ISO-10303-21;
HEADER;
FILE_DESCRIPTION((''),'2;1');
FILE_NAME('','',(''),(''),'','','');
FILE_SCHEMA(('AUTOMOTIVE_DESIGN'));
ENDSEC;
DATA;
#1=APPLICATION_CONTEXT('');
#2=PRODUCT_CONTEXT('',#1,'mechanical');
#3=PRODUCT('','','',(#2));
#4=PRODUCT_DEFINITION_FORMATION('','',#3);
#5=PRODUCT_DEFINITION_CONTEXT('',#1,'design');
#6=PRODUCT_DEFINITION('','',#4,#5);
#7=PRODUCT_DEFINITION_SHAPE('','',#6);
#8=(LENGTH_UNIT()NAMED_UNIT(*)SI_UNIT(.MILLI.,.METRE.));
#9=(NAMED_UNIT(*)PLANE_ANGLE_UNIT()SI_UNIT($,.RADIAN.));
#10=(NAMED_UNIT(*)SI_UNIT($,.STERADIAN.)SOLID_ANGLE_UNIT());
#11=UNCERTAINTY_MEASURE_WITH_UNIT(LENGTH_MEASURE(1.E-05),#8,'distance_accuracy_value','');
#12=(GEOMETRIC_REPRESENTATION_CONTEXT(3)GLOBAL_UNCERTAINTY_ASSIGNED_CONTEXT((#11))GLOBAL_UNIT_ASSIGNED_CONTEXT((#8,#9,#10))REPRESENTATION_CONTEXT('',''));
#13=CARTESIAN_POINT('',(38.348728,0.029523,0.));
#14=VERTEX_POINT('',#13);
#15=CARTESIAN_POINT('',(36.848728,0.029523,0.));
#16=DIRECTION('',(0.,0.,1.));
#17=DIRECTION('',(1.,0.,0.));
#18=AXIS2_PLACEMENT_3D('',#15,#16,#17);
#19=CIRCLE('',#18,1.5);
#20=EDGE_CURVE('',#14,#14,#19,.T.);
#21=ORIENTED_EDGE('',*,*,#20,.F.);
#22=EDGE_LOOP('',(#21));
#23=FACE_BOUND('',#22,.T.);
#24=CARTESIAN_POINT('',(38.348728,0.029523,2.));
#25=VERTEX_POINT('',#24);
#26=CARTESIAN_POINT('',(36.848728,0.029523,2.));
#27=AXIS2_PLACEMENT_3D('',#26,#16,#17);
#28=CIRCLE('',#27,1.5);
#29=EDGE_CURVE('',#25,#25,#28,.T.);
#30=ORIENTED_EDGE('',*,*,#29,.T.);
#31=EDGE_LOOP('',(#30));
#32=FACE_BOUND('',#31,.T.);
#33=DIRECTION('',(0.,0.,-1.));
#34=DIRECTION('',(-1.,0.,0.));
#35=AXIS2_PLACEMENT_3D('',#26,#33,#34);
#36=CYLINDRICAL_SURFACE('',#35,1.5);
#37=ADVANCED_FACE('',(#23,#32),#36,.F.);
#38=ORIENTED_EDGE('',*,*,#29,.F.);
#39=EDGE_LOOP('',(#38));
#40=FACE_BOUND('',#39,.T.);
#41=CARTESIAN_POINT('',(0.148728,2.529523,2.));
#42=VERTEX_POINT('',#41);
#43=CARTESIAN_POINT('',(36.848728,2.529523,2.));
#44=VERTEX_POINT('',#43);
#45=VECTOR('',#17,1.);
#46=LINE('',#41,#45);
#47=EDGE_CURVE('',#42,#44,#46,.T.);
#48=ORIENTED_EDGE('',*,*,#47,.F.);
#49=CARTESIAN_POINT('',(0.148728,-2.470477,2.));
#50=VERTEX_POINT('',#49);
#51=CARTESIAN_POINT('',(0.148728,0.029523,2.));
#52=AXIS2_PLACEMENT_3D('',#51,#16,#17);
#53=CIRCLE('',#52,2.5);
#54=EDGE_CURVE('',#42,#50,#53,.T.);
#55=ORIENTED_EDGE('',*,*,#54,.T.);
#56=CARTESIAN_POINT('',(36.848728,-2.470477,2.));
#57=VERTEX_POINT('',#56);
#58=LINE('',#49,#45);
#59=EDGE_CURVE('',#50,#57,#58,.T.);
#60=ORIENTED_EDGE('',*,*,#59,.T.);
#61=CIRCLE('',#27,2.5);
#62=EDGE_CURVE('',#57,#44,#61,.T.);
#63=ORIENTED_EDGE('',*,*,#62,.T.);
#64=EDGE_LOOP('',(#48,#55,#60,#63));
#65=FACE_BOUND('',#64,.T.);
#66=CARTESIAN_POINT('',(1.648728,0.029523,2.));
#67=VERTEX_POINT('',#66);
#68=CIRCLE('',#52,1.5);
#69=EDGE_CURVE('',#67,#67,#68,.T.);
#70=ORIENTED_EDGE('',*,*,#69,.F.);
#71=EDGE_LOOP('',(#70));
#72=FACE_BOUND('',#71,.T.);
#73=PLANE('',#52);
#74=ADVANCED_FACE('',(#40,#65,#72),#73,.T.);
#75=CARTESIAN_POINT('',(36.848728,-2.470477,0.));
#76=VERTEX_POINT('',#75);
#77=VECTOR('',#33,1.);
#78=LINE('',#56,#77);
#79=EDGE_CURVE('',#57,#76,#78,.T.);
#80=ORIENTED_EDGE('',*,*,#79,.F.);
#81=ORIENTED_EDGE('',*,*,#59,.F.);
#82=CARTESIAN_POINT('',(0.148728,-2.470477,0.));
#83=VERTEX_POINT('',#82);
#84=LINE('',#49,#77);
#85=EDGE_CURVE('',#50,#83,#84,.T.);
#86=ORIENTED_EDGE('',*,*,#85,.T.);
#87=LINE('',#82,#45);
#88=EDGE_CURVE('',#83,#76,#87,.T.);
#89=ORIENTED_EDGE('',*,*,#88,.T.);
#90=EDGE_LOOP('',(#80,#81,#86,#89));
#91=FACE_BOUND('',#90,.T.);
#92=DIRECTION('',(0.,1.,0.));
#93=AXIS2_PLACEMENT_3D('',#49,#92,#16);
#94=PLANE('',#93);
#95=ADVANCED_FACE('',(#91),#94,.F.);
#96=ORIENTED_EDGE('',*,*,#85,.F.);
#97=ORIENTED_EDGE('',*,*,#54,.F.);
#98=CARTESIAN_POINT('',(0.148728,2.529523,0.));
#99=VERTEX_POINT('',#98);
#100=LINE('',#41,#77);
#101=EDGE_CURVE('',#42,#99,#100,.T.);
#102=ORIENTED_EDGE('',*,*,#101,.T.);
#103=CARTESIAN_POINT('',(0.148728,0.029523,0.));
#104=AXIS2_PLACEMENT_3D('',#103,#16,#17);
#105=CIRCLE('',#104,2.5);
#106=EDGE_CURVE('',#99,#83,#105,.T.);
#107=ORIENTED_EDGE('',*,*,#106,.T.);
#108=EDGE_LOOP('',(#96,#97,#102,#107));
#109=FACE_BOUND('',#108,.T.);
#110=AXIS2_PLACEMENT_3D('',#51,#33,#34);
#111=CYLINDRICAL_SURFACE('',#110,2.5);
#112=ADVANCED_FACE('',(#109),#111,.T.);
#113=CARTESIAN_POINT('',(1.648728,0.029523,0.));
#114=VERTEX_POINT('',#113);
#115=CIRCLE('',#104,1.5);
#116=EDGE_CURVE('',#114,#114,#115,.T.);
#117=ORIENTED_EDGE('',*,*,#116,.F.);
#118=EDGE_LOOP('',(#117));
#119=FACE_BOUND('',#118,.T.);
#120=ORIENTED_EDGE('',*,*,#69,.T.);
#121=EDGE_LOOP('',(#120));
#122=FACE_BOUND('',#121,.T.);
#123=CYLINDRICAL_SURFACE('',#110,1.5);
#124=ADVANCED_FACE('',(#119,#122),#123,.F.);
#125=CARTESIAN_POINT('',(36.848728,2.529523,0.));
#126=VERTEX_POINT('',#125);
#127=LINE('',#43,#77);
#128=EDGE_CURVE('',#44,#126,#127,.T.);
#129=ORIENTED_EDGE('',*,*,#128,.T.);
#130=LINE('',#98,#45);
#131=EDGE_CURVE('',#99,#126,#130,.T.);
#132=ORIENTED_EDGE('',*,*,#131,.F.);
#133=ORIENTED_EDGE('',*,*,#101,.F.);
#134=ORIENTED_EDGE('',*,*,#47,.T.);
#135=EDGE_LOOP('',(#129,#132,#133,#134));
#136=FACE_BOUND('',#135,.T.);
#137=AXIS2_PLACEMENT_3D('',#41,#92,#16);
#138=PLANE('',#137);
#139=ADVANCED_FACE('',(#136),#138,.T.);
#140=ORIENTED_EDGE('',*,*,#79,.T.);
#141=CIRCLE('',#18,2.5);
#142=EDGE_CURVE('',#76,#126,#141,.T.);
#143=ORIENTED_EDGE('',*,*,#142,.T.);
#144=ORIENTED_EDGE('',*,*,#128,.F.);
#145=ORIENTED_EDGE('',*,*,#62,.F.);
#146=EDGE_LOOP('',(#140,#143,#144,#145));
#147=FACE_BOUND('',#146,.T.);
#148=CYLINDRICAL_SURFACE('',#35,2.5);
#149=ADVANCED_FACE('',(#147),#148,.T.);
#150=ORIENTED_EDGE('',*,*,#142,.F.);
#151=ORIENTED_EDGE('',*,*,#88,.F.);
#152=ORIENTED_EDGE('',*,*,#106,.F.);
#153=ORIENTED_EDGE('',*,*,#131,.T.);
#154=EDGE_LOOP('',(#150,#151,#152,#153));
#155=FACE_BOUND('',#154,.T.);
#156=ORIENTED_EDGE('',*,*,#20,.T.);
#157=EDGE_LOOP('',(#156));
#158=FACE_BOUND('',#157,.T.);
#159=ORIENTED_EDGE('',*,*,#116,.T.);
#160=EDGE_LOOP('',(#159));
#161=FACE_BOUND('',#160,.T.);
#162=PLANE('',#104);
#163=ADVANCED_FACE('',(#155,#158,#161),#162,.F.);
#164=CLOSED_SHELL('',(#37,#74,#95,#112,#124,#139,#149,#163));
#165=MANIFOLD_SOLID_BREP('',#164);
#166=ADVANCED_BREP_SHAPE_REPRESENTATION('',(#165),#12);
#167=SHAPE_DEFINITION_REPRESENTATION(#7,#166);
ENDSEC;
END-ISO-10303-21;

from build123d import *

# Parameters (mm, degrees)
SKETCH1_R           = 1.5
BOSS_EXTRUDE1_DEPTH = 2


with BuildPart() as part:
    # Sketch1 → Boss-Extrude1 (new body)
    with BuildSketch(Plane.XY):
        with BuildLine():
            Line((0.148728396, 2.529522743), (36.848728396, 2.529522743))
            ThreePointArc((36.848728396, 2.529522743), (39.348728396, 0.029522743), (36.848728396, -2.470477257))
            Line((36.848728396, -2.470477257), (0.148728396, -2.470477257))
            ThreePointArc((0.148728396, -2.470477257), (-2.351271604, 0.029522743), (0.148728396, 2.529522743))
        make_face()
        with Locations((0.148728396, 0.029522743)):
            Circle(SKETCH1_R, mode=Mode.SUBTRACT)
        with Locations((36.848728396, 0.029522743)):
            Circle(SKETCH1_R, mode=Mode.SUBTRACT)
    extrude(amount=BOSS_EXTRUDE1_DEPTH)


solid = part.part
